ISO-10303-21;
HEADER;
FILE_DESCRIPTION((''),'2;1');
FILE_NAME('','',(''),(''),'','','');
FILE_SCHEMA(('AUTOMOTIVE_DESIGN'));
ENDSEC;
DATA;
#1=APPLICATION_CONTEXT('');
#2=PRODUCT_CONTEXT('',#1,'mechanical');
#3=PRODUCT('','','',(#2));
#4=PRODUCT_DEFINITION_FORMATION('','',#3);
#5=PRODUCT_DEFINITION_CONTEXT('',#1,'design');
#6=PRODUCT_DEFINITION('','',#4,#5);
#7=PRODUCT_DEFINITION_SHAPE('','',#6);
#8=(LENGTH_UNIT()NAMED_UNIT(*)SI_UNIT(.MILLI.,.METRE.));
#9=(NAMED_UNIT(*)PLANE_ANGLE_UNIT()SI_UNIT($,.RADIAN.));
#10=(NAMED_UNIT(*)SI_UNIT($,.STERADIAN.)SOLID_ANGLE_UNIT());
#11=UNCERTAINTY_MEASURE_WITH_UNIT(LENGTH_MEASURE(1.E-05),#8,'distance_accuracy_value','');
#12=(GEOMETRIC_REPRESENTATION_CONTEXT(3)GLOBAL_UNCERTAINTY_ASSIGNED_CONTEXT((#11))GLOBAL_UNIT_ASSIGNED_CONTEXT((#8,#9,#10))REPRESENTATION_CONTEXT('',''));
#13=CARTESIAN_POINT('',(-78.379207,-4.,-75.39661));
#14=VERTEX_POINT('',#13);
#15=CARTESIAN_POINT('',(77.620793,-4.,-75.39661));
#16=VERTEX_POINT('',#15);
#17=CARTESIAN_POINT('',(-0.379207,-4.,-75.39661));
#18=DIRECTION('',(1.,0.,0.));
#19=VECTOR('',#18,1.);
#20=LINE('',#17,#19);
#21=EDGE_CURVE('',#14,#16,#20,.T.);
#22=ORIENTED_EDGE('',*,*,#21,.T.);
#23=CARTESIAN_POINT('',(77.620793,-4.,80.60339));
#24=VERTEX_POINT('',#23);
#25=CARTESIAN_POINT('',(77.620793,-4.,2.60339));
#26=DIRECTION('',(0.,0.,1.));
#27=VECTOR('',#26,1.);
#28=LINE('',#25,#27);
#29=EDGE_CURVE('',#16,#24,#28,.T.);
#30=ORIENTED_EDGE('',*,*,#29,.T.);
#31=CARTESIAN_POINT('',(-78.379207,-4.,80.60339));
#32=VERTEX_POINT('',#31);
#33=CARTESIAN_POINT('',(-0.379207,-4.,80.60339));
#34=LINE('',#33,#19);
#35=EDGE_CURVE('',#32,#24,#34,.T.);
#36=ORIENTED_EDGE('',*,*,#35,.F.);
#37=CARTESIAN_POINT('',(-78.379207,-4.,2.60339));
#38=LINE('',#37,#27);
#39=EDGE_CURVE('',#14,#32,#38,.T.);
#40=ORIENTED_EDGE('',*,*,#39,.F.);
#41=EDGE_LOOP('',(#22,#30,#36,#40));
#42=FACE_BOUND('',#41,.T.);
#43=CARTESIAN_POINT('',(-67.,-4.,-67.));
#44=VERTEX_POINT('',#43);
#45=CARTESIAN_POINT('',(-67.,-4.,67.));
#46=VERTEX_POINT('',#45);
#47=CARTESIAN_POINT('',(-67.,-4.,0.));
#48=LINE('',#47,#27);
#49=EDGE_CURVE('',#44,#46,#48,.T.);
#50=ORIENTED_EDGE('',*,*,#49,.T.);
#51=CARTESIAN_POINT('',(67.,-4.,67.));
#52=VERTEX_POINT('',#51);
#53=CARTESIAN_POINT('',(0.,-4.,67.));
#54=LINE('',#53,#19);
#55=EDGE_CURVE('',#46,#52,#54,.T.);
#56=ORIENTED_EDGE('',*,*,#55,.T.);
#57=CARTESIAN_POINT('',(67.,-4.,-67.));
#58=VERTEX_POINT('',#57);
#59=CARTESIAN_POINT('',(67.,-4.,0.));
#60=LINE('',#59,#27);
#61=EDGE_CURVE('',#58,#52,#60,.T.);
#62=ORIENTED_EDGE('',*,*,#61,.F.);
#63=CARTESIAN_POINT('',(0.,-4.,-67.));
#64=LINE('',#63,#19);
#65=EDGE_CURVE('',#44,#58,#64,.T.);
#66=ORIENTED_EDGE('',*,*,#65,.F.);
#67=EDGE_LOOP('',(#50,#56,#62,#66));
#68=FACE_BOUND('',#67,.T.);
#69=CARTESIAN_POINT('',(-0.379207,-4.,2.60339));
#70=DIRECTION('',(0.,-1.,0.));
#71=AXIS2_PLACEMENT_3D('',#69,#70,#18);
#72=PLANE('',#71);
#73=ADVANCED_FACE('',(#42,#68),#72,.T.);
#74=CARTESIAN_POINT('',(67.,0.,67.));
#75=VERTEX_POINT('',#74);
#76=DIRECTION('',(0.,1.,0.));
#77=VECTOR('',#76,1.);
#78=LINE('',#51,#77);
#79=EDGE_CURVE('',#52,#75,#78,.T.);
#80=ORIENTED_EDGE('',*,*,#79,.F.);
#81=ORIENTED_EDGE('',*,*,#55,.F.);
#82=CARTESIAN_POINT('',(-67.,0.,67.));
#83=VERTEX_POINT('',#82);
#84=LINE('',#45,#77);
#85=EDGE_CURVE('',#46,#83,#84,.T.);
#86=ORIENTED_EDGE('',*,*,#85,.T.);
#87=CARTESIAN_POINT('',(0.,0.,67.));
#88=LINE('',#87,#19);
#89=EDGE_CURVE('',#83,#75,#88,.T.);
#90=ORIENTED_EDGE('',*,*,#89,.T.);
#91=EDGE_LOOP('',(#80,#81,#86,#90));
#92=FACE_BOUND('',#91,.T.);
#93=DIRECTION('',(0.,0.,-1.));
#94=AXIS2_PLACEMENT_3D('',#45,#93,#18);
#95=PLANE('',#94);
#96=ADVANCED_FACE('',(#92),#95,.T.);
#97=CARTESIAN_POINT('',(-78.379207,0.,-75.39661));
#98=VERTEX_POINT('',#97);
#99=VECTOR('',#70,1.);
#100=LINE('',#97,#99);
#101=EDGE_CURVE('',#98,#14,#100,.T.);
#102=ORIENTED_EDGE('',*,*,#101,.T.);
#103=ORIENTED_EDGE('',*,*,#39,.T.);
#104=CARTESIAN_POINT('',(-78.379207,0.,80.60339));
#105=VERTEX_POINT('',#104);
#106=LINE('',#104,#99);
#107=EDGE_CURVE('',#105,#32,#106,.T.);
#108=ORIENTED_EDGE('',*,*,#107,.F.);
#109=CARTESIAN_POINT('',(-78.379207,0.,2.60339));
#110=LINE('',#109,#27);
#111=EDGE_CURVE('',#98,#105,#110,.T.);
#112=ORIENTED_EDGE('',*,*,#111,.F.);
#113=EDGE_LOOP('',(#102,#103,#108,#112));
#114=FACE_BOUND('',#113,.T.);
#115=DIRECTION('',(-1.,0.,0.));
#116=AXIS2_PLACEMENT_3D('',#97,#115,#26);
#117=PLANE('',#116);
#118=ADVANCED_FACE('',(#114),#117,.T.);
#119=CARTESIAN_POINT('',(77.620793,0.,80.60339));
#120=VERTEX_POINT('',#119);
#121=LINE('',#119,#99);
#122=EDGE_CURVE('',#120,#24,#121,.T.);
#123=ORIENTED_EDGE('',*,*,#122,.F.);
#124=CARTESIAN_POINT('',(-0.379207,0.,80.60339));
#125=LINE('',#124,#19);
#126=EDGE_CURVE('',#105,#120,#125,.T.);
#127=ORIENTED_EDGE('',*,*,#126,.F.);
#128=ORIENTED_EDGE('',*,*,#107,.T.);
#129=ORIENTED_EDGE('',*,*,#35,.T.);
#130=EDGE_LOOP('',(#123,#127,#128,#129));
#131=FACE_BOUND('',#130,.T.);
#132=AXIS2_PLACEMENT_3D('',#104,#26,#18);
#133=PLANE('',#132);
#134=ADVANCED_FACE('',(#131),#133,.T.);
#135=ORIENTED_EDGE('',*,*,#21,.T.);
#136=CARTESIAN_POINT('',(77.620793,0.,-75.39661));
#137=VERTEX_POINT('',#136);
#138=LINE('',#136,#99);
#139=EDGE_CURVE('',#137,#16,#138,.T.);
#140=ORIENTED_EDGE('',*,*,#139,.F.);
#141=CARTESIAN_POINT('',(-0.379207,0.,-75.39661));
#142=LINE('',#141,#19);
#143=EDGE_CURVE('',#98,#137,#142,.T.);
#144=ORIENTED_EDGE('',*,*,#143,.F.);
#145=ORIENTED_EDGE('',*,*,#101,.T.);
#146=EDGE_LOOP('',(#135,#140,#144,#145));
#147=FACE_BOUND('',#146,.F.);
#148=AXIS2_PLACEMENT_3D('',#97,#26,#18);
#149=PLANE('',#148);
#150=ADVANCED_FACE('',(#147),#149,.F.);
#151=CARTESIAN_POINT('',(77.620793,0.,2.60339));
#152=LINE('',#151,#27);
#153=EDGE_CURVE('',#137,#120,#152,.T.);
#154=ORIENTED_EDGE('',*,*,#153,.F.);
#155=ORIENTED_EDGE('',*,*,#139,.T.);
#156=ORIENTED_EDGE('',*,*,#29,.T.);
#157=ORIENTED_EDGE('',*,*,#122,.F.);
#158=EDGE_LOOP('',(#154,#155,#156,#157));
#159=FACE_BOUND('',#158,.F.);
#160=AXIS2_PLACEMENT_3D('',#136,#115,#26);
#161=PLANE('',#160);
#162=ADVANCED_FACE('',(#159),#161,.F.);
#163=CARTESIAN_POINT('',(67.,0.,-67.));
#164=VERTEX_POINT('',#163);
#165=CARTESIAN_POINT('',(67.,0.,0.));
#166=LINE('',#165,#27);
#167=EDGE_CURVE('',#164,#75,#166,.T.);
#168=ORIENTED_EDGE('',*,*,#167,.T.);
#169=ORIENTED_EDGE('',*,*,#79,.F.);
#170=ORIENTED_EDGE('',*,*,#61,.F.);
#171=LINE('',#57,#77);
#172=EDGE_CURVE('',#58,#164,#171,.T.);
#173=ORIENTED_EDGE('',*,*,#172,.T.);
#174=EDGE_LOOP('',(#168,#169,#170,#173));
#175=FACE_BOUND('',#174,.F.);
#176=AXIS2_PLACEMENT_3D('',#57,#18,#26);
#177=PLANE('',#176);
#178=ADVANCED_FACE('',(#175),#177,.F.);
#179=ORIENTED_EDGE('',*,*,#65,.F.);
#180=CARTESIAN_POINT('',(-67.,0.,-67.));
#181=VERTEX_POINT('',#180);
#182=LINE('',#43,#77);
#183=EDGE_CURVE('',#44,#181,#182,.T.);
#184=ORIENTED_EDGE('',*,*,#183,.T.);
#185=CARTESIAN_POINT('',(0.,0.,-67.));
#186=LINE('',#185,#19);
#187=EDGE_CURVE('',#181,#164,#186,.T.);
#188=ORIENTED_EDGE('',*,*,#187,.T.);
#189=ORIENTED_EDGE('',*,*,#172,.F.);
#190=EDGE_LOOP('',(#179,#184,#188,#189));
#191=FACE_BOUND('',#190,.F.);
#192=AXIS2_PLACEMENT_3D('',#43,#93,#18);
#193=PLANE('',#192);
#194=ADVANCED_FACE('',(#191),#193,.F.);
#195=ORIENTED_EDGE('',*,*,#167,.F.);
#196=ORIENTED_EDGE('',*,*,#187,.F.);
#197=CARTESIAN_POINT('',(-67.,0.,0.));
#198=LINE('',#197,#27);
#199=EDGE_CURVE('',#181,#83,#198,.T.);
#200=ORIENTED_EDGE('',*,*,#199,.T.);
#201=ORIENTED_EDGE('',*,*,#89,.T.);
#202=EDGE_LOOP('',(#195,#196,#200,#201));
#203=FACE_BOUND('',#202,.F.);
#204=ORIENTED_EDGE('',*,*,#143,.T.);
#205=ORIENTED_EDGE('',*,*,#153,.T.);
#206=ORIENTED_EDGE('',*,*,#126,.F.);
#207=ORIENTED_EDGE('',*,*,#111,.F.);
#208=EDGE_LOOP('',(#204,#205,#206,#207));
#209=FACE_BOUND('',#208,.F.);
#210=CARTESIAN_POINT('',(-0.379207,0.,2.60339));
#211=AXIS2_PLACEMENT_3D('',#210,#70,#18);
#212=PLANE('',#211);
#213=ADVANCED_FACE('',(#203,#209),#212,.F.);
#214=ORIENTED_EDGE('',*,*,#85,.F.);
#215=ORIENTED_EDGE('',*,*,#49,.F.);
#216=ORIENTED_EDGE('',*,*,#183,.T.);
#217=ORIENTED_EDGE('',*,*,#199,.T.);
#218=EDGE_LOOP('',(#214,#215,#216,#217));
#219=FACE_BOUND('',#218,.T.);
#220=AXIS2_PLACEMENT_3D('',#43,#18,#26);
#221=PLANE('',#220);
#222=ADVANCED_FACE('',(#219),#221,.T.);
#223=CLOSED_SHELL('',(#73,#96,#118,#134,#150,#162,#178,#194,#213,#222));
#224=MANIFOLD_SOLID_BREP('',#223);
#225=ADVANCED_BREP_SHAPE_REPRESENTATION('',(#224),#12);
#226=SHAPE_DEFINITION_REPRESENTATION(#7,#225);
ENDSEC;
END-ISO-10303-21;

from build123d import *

# Parameters (mm, degrees)
F0_W     = 156
F0_H     = 156
F1_DEPTH = 4
F2_W     = 134
F2_H     = 134
F3_DEPTH = 4


with BuildPart() as f1:
    # F0 (on Front) → F1 (new body)
    with BuildSketch(Plane.XZ):
        with Locations((-0.379207, 2.60339)):
            Rectangle(F0_W, F0_H)
    extrude(amount=F1_DEPTH)

    # F2 (on face) → F3 (cut)
    with BuildSketch(Plane.XZ.offset(4)):
        Rectangle(F2_W, F2_H)
    extrude(amount=-F3_DEPTH, mode=Mode.SUBTRACT)


solid = f1.part
